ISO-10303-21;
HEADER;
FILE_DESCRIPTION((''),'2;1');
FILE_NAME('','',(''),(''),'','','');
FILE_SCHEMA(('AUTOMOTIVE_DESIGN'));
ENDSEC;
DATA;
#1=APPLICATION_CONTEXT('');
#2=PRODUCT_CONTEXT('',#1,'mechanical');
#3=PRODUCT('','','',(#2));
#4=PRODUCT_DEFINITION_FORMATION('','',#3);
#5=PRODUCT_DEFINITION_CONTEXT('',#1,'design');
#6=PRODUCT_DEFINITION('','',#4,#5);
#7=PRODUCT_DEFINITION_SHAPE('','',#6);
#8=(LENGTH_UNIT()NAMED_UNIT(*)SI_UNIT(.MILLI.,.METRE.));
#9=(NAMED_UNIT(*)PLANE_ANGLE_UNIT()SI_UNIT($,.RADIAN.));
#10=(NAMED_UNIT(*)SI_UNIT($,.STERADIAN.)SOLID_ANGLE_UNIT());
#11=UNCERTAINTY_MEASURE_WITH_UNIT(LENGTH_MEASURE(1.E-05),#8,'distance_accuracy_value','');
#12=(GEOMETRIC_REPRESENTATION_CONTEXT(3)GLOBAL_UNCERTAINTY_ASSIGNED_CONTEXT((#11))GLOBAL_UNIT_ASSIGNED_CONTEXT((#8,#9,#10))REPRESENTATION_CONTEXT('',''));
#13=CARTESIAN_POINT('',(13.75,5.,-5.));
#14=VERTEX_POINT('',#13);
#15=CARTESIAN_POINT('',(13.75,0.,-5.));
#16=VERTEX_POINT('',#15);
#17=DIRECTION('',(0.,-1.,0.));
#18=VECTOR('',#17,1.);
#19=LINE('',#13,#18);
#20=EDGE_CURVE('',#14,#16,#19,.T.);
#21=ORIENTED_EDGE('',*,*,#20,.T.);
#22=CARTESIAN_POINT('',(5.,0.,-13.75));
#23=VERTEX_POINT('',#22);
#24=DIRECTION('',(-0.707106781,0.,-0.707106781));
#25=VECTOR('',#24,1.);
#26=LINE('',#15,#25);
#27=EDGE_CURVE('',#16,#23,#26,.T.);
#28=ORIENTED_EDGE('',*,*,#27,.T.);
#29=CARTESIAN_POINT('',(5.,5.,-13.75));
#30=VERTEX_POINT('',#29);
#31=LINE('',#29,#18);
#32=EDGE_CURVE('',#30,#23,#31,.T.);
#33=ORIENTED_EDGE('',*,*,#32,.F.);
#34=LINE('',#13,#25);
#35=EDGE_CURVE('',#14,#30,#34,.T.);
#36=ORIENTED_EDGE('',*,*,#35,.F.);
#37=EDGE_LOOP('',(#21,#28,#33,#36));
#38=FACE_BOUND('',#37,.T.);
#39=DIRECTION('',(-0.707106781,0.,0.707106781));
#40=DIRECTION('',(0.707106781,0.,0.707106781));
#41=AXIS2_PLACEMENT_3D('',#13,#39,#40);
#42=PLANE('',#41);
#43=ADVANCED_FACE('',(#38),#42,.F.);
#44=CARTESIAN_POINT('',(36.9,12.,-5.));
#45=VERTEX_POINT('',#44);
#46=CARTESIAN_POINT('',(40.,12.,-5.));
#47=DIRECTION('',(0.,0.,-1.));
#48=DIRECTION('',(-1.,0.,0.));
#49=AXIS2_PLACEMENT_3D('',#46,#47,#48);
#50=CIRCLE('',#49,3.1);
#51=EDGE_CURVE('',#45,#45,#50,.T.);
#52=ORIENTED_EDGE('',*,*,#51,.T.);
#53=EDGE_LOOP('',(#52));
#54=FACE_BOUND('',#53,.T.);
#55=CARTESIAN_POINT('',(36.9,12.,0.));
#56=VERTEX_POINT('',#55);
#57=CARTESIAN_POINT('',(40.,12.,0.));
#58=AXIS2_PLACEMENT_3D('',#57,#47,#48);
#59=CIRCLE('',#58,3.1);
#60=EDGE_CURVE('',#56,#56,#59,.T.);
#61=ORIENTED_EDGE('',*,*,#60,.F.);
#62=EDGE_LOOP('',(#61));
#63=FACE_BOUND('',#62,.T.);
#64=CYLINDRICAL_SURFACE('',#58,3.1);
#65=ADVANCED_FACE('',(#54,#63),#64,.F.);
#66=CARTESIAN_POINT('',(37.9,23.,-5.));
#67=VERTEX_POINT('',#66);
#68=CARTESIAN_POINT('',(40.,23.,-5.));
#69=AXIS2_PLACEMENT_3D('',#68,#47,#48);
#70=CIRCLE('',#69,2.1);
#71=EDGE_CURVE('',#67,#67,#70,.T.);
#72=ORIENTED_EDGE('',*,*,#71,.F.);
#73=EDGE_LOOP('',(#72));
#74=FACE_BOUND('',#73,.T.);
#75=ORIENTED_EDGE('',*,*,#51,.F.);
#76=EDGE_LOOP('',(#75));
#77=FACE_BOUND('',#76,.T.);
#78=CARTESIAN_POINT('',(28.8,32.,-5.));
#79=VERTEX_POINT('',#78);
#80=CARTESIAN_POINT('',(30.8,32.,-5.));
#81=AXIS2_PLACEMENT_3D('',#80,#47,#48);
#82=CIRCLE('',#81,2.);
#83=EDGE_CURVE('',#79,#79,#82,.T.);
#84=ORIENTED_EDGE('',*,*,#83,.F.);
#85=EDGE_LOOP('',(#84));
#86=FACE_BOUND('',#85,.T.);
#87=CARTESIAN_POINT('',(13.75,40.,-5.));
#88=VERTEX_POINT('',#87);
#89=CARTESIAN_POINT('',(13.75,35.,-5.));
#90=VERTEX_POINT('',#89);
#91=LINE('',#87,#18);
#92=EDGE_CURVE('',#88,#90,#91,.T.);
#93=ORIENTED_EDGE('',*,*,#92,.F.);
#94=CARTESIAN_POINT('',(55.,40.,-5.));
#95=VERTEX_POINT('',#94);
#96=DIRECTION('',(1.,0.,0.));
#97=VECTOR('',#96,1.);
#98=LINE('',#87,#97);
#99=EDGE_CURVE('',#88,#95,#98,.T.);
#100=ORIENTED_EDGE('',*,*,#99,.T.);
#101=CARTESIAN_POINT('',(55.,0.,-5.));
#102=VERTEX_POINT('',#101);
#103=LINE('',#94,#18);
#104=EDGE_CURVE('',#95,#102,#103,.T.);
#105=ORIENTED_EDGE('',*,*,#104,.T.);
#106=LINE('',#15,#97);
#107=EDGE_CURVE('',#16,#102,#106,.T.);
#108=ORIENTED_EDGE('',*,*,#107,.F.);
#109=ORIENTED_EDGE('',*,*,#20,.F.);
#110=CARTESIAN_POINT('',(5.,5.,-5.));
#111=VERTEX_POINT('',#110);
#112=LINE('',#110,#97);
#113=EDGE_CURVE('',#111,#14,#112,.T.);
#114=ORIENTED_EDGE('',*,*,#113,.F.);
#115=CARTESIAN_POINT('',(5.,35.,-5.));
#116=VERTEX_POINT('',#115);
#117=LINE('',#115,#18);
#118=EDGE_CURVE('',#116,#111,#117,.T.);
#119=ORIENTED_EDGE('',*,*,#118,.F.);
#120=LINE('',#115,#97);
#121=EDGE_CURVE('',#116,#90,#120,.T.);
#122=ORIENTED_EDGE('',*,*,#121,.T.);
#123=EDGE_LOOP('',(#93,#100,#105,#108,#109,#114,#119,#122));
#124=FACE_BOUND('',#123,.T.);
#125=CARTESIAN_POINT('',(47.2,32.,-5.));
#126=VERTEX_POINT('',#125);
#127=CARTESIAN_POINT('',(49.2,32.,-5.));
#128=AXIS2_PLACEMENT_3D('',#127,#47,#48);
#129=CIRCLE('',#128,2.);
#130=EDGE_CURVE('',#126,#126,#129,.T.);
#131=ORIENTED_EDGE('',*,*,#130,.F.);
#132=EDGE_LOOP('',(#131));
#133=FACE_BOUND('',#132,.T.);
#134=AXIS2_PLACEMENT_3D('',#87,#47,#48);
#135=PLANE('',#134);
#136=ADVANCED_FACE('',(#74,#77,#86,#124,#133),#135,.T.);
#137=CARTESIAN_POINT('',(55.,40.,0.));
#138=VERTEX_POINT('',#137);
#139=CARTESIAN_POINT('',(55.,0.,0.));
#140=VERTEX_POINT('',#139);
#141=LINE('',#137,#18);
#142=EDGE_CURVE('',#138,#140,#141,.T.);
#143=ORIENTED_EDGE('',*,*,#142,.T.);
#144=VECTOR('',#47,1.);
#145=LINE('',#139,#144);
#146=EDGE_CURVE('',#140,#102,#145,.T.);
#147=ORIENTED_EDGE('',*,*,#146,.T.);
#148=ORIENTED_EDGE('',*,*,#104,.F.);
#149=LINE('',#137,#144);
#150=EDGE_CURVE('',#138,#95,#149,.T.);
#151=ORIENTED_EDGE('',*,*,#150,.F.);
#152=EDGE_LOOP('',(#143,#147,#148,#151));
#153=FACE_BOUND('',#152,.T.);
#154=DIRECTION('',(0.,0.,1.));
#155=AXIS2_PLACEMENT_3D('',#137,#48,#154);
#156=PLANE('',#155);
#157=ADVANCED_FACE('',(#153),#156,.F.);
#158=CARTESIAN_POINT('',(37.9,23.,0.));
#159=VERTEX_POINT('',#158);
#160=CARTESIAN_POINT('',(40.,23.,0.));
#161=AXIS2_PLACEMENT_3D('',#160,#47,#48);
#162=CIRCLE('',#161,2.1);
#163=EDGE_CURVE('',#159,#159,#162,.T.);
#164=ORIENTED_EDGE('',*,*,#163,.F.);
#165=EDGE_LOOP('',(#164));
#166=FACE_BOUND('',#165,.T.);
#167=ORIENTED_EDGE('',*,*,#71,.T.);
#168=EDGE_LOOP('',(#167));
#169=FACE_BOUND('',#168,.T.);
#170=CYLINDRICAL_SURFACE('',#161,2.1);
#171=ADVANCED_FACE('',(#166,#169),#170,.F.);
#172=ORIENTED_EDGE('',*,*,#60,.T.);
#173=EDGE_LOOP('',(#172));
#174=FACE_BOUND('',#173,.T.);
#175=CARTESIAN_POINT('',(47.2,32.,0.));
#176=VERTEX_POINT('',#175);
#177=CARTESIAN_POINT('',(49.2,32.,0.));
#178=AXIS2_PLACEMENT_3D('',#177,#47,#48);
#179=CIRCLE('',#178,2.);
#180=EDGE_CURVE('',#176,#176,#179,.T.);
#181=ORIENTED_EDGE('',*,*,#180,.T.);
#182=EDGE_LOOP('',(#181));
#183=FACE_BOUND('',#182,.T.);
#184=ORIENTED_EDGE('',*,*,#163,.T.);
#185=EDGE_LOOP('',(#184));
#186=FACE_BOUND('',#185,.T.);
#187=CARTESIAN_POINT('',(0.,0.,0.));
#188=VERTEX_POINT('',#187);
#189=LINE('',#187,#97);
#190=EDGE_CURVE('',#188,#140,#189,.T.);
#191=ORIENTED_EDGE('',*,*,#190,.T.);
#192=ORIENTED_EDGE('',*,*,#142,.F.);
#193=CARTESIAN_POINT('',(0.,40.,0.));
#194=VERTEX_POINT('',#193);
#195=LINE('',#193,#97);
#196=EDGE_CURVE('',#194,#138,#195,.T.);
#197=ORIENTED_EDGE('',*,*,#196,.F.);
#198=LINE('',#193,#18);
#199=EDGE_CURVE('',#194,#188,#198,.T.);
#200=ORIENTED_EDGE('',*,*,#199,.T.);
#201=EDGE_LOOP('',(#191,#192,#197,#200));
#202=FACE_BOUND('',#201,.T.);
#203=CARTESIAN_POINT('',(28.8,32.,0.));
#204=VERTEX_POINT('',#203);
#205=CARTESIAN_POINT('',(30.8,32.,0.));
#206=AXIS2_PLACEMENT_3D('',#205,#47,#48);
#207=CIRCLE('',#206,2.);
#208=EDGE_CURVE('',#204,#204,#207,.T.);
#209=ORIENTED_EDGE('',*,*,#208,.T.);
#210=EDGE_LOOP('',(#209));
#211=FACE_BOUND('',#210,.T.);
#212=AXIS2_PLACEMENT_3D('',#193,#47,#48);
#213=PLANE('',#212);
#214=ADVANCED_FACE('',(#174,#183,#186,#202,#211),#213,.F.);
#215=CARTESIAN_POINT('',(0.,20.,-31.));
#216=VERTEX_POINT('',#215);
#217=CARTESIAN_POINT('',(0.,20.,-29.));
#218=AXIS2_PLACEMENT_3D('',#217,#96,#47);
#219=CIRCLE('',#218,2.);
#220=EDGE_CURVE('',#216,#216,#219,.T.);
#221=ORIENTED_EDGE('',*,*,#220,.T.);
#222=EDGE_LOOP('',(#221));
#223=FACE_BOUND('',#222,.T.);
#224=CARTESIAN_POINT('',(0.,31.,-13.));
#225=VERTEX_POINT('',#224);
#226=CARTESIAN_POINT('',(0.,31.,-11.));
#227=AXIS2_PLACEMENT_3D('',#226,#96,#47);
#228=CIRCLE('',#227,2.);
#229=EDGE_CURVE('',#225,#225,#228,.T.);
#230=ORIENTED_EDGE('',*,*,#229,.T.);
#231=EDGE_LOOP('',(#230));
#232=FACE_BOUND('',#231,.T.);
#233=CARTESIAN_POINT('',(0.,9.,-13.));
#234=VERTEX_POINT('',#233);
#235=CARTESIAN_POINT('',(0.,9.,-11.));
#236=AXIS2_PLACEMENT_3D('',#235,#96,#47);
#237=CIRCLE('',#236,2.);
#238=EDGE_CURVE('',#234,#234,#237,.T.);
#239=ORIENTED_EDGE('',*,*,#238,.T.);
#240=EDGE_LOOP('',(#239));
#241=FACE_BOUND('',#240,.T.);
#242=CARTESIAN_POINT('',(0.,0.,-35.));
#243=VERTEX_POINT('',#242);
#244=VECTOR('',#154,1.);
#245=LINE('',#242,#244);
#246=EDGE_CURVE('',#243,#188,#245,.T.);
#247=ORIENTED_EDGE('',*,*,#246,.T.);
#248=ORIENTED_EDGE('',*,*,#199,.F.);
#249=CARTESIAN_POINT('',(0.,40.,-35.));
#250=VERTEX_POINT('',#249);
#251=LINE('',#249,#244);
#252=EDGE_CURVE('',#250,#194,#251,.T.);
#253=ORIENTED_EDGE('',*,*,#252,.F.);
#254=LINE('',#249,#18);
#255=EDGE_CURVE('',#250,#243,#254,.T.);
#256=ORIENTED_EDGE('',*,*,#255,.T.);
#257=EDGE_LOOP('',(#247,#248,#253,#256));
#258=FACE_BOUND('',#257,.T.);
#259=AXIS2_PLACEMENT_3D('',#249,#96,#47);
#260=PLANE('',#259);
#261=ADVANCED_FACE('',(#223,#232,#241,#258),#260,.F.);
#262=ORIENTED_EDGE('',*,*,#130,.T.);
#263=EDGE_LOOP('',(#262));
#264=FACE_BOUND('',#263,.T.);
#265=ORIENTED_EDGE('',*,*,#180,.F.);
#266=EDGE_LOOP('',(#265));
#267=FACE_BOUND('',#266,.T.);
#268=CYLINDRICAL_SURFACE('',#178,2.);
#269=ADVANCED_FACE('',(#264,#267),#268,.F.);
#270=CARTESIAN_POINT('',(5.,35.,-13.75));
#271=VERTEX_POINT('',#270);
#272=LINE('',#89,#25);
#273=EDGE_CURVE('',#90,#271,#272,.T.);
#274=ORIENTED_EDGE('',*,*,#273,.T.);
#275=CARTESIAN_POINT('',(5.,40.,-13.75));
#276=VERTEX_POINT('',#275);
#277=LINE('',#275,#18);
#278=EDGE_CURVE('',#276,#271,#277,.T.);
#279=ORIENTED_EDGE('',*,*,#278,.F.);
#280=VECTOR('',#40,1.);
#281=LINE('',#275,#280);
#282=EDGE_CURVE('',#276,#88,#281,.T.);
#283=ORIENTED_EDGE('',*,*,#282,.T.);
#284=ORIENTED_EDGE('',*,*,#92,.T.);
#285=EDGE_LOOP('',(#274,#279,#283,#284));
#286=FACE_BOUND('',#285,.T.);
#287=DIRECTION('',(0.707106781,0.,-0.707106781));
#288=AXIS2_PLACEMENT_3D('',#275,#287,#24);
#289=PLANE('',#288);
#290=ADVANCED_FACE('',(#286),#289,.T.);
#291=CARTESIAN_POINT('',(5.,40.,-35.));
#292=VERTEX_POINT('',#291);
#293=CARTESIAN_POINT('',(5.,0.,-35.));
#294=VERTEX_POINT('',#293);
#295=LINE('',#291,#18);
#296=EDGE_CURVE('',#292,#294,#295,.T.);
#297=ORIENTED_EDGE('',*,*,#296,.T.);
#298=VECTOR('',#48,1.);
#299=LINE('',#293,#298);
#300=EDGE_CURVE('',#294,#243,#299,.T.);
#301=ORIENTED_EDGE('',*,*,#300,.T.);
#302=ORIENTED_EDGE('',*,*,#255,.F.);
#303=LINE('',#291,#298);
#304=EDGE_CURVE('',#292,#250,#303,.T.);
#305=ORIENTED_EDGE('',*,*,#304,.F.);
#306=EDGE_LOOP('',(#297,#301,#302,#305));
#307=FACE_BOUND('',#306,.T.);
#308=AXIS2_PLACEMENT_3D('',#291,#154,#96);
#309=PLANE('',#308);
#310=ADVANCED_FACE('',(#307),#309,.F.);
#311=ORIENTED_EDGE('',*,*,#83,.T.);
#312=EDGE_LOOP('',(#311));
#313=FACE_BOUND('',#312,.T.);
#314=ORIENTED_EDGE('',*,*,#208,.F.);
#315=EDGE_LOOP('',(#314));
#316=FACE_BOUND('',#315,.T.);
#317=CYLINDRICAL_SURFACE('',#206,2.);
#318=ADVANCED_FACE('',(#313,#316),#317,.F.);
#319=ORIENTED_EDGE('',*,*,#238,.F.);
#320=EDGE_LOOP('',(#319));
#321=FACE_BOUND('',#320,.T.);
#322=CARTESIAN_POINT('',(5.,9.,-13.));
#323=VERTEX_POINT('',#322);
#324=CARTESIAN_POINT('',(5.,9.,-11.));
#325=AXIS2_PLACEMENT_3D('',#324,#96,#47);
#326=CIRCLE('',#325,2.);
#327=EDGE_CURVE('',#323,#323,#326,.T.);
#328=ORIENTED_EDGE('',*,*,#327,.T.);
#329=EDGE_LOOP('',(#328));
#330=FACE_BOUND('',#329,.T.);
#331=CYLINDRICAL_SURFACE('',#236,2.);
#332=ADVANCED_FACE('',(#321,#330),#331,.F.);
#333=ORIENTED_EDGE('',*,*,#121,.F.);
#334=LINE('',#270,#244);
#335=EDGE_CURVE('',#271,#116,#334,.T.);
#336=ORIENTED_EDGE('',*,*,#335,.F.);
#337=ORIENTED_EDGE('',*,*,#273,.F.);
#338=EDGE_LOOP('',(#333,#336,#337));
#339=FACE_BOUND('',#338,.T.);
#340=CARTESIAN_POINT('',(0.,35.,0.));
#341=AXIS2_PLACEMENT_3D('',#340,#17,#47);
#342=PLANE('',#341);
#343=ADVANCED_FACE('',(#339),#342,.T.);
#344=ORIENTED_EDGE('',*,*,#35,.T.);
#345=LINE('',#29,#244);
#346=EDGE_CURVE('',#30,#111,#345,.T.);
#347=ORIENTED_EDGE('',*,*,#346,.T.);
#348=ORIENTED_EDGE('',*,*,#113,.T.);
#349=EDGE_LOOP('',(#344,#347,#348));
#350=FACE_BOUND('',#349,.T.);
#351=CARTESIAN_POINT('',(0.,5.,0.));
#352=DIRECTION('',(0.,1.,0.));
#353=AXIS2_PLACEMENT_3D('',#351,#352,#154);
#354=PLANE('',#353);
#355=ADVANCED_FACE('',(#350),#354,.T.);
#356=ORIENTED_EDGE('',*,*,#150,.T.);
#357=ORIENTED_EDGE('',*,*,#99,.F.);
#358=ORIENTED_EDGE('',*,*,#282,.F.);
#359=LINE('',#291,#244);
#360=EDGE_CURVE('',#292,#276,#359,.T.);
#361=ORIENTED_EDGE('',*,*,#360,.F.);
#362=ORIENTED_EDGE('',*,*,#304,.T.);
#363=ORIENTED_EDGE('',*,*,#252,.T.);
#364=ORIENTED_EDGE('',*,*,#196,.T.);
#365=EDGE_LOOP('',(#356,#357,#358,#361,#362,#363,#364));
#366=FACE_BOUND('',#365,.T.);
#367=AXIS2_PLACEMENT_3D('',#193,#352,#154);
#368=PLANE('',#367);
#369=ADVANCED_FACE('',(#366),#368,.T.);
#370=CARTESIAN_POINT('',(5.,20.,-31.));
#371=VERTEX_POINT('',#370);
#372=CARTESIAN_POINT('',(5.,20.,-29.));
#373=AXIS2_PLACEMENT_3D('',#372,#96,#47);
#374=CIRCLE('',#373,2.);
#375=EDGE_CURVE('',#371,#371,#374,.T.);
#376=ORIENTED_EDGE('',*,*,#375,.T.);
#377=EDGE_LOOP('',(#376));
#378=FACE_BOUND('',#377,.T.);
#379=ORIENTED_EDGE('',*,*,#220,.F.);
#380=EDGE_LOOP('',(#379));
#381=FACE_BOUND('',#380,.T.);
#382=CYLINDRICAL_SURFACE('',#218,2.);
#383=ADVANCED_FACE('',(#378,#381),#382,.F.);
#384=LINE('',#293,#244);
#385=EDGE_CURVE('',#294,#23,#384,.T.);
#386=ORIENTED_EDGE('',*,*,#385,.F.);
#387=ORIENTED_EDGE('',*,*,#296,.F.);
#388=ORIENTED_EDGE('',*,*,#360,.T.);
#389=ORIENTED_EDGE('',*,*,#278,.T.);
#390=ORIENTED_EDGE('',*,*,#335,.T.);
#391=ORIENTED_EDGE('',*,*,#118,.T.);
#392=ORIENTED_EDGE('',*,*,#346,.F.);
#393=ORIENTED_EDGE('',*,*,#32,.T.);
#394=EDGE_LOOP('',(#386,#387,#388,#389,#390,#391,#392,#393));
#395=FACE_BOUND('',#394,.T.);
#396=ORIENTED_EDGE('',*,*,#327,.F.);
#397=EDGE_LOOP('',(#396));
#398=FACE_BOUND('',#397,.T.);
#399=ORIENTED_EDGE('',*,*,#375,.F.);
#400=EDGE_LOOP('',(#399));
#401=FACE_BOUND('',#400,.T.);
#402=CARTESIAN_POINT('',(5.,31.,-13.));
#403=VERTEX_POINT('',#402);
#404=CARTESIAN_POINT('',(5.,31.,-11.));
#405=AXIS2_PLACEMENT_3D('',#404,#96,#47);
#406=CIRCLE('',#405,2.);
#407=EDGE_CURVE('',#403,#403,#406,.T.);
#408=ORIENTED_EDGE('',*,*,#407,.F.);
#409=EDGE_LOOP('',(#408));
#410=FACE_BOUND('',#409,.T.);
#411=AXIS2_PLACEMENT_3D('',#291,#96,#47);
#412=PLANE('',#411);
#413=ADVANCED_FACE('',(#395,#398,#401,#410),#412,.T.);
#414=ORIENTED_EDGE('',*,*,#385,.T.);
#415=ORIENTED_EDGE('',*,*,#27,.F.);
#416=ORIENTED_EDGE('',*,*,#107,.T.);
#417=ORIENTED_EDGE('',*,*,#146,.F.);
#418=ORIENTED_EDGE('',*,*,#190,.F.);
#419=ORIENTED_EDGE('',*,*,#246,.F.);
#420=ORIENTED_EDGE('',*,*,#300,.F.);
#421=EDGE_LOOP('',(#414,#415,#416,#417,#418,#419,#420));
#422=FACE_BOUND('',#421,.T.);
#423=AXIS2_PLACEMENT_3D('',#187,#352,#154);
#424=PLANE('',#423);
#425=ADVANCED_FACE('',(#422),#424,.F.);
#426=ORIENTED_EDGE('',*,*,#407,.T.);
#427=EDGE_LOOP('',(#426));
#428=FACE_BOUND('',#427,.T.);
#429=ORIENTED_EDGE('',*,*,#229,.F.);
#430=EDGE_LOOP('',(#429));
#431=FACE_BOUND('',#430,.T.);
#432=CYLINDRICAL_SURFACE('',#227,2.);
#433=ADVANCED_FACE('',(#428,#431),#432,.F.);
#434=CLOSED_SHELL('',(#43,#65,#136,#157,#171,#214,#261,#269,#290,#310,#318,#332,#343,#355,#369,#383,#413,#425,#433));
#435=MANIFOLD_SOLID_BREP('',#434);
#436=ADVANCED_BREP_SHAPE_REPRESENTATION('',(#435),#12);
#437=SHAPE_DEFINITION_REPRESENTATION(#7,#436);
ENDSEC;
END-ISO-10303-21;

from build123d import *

# Parameters (mm, degrees)
BOSS_EXTRUDE3_DEPTH = 40
CUT_EXTRUDE1_DEPTH  = 35
BOSS_EXTRUDE4_DEPTH = 5
SKETCH7_R           = 2
SKETCH7_R_2         = 3.1
SKETCH7_R_3         = 2.1
CUT_EXTRUDE7_DEPTH  = 5
SKETCH15_R          = 2
CUT_EXTRUDE8_DEPTH  = 73.972597597


with BuildPart() as part:
    # Sketch1 → Boss-Extrude3 (new body)
    with BuildSketch(Plane(origin=(0, 0, 0), x_dir=(1, 0, 0), z_dir=(0, 1, 0))):
        Polygon((0, 0), (55, 0), (55, 5), (13.75, 5), (5, 13.75), (5, 35), (0, 35), align=None)
    extrude(amount=BOSS_EXTRUDE3_DEPTH)

    # Sketch5 → Cut-Extrude1 (cut)
    with BuildSketch(Plane.XZ):
        Polygon((5, -13.75), (5, -5), (13.75, -5), align=None)
    extrude(amount=-CUT_EXTRUDE1_DEPTH, mode=Mode.SUBTRACT)

    # Sketch6 → Boss-Extrude4 (add)
    with BuildSketch(Plane.XZ):
        Polygon((13.75, -5), (5, -13.75), (5, -5), align=None)
    extrude(amount=-BOSS_EXTRUDE4_DEPTH)

    # Sketch7 → Cut-Extrude7 (cut)
    with BuildSketch(Plane(origin=(0, 0, -5), x_dir=(-1, 0, 0), z_dir=(0, 0, -1))):
        with Locations((-49.2, 32)):
            Circle(SKETCH7_R)
        with Locations((-40, 12)):
            Circle(SKETCH7_R_2)
        with Locations((-40, 23)):
            Circle(SKETCH7_R_3)
        with Locations((-30.8, 32)):
            Circle(SKETCH7_R)
    extrude(amount=-CUT_EXTRUDE7_DEPTH, mode=Mode.SUBTRACT)

    # Sketch15 → Cut-Extrude8 (cut, through all)
    with BuildSketch(Plane(origin=(5, 0, 0), x_dir=(0, 0, -1), z_dir=(1, 0, 0))):
        with Locations((11, 31)):
            Circle(SKETCH15_R)
        with Locations((11, 9)):
            Circle(SKETCH15_R)
        with Locations((29, 20)):
            Circle(SKETCH15_R)
    extrude(amount=-CUT_EXTRUDE8_DEPTH, mode=Mode.SUBTRACT)


solid = part.part
